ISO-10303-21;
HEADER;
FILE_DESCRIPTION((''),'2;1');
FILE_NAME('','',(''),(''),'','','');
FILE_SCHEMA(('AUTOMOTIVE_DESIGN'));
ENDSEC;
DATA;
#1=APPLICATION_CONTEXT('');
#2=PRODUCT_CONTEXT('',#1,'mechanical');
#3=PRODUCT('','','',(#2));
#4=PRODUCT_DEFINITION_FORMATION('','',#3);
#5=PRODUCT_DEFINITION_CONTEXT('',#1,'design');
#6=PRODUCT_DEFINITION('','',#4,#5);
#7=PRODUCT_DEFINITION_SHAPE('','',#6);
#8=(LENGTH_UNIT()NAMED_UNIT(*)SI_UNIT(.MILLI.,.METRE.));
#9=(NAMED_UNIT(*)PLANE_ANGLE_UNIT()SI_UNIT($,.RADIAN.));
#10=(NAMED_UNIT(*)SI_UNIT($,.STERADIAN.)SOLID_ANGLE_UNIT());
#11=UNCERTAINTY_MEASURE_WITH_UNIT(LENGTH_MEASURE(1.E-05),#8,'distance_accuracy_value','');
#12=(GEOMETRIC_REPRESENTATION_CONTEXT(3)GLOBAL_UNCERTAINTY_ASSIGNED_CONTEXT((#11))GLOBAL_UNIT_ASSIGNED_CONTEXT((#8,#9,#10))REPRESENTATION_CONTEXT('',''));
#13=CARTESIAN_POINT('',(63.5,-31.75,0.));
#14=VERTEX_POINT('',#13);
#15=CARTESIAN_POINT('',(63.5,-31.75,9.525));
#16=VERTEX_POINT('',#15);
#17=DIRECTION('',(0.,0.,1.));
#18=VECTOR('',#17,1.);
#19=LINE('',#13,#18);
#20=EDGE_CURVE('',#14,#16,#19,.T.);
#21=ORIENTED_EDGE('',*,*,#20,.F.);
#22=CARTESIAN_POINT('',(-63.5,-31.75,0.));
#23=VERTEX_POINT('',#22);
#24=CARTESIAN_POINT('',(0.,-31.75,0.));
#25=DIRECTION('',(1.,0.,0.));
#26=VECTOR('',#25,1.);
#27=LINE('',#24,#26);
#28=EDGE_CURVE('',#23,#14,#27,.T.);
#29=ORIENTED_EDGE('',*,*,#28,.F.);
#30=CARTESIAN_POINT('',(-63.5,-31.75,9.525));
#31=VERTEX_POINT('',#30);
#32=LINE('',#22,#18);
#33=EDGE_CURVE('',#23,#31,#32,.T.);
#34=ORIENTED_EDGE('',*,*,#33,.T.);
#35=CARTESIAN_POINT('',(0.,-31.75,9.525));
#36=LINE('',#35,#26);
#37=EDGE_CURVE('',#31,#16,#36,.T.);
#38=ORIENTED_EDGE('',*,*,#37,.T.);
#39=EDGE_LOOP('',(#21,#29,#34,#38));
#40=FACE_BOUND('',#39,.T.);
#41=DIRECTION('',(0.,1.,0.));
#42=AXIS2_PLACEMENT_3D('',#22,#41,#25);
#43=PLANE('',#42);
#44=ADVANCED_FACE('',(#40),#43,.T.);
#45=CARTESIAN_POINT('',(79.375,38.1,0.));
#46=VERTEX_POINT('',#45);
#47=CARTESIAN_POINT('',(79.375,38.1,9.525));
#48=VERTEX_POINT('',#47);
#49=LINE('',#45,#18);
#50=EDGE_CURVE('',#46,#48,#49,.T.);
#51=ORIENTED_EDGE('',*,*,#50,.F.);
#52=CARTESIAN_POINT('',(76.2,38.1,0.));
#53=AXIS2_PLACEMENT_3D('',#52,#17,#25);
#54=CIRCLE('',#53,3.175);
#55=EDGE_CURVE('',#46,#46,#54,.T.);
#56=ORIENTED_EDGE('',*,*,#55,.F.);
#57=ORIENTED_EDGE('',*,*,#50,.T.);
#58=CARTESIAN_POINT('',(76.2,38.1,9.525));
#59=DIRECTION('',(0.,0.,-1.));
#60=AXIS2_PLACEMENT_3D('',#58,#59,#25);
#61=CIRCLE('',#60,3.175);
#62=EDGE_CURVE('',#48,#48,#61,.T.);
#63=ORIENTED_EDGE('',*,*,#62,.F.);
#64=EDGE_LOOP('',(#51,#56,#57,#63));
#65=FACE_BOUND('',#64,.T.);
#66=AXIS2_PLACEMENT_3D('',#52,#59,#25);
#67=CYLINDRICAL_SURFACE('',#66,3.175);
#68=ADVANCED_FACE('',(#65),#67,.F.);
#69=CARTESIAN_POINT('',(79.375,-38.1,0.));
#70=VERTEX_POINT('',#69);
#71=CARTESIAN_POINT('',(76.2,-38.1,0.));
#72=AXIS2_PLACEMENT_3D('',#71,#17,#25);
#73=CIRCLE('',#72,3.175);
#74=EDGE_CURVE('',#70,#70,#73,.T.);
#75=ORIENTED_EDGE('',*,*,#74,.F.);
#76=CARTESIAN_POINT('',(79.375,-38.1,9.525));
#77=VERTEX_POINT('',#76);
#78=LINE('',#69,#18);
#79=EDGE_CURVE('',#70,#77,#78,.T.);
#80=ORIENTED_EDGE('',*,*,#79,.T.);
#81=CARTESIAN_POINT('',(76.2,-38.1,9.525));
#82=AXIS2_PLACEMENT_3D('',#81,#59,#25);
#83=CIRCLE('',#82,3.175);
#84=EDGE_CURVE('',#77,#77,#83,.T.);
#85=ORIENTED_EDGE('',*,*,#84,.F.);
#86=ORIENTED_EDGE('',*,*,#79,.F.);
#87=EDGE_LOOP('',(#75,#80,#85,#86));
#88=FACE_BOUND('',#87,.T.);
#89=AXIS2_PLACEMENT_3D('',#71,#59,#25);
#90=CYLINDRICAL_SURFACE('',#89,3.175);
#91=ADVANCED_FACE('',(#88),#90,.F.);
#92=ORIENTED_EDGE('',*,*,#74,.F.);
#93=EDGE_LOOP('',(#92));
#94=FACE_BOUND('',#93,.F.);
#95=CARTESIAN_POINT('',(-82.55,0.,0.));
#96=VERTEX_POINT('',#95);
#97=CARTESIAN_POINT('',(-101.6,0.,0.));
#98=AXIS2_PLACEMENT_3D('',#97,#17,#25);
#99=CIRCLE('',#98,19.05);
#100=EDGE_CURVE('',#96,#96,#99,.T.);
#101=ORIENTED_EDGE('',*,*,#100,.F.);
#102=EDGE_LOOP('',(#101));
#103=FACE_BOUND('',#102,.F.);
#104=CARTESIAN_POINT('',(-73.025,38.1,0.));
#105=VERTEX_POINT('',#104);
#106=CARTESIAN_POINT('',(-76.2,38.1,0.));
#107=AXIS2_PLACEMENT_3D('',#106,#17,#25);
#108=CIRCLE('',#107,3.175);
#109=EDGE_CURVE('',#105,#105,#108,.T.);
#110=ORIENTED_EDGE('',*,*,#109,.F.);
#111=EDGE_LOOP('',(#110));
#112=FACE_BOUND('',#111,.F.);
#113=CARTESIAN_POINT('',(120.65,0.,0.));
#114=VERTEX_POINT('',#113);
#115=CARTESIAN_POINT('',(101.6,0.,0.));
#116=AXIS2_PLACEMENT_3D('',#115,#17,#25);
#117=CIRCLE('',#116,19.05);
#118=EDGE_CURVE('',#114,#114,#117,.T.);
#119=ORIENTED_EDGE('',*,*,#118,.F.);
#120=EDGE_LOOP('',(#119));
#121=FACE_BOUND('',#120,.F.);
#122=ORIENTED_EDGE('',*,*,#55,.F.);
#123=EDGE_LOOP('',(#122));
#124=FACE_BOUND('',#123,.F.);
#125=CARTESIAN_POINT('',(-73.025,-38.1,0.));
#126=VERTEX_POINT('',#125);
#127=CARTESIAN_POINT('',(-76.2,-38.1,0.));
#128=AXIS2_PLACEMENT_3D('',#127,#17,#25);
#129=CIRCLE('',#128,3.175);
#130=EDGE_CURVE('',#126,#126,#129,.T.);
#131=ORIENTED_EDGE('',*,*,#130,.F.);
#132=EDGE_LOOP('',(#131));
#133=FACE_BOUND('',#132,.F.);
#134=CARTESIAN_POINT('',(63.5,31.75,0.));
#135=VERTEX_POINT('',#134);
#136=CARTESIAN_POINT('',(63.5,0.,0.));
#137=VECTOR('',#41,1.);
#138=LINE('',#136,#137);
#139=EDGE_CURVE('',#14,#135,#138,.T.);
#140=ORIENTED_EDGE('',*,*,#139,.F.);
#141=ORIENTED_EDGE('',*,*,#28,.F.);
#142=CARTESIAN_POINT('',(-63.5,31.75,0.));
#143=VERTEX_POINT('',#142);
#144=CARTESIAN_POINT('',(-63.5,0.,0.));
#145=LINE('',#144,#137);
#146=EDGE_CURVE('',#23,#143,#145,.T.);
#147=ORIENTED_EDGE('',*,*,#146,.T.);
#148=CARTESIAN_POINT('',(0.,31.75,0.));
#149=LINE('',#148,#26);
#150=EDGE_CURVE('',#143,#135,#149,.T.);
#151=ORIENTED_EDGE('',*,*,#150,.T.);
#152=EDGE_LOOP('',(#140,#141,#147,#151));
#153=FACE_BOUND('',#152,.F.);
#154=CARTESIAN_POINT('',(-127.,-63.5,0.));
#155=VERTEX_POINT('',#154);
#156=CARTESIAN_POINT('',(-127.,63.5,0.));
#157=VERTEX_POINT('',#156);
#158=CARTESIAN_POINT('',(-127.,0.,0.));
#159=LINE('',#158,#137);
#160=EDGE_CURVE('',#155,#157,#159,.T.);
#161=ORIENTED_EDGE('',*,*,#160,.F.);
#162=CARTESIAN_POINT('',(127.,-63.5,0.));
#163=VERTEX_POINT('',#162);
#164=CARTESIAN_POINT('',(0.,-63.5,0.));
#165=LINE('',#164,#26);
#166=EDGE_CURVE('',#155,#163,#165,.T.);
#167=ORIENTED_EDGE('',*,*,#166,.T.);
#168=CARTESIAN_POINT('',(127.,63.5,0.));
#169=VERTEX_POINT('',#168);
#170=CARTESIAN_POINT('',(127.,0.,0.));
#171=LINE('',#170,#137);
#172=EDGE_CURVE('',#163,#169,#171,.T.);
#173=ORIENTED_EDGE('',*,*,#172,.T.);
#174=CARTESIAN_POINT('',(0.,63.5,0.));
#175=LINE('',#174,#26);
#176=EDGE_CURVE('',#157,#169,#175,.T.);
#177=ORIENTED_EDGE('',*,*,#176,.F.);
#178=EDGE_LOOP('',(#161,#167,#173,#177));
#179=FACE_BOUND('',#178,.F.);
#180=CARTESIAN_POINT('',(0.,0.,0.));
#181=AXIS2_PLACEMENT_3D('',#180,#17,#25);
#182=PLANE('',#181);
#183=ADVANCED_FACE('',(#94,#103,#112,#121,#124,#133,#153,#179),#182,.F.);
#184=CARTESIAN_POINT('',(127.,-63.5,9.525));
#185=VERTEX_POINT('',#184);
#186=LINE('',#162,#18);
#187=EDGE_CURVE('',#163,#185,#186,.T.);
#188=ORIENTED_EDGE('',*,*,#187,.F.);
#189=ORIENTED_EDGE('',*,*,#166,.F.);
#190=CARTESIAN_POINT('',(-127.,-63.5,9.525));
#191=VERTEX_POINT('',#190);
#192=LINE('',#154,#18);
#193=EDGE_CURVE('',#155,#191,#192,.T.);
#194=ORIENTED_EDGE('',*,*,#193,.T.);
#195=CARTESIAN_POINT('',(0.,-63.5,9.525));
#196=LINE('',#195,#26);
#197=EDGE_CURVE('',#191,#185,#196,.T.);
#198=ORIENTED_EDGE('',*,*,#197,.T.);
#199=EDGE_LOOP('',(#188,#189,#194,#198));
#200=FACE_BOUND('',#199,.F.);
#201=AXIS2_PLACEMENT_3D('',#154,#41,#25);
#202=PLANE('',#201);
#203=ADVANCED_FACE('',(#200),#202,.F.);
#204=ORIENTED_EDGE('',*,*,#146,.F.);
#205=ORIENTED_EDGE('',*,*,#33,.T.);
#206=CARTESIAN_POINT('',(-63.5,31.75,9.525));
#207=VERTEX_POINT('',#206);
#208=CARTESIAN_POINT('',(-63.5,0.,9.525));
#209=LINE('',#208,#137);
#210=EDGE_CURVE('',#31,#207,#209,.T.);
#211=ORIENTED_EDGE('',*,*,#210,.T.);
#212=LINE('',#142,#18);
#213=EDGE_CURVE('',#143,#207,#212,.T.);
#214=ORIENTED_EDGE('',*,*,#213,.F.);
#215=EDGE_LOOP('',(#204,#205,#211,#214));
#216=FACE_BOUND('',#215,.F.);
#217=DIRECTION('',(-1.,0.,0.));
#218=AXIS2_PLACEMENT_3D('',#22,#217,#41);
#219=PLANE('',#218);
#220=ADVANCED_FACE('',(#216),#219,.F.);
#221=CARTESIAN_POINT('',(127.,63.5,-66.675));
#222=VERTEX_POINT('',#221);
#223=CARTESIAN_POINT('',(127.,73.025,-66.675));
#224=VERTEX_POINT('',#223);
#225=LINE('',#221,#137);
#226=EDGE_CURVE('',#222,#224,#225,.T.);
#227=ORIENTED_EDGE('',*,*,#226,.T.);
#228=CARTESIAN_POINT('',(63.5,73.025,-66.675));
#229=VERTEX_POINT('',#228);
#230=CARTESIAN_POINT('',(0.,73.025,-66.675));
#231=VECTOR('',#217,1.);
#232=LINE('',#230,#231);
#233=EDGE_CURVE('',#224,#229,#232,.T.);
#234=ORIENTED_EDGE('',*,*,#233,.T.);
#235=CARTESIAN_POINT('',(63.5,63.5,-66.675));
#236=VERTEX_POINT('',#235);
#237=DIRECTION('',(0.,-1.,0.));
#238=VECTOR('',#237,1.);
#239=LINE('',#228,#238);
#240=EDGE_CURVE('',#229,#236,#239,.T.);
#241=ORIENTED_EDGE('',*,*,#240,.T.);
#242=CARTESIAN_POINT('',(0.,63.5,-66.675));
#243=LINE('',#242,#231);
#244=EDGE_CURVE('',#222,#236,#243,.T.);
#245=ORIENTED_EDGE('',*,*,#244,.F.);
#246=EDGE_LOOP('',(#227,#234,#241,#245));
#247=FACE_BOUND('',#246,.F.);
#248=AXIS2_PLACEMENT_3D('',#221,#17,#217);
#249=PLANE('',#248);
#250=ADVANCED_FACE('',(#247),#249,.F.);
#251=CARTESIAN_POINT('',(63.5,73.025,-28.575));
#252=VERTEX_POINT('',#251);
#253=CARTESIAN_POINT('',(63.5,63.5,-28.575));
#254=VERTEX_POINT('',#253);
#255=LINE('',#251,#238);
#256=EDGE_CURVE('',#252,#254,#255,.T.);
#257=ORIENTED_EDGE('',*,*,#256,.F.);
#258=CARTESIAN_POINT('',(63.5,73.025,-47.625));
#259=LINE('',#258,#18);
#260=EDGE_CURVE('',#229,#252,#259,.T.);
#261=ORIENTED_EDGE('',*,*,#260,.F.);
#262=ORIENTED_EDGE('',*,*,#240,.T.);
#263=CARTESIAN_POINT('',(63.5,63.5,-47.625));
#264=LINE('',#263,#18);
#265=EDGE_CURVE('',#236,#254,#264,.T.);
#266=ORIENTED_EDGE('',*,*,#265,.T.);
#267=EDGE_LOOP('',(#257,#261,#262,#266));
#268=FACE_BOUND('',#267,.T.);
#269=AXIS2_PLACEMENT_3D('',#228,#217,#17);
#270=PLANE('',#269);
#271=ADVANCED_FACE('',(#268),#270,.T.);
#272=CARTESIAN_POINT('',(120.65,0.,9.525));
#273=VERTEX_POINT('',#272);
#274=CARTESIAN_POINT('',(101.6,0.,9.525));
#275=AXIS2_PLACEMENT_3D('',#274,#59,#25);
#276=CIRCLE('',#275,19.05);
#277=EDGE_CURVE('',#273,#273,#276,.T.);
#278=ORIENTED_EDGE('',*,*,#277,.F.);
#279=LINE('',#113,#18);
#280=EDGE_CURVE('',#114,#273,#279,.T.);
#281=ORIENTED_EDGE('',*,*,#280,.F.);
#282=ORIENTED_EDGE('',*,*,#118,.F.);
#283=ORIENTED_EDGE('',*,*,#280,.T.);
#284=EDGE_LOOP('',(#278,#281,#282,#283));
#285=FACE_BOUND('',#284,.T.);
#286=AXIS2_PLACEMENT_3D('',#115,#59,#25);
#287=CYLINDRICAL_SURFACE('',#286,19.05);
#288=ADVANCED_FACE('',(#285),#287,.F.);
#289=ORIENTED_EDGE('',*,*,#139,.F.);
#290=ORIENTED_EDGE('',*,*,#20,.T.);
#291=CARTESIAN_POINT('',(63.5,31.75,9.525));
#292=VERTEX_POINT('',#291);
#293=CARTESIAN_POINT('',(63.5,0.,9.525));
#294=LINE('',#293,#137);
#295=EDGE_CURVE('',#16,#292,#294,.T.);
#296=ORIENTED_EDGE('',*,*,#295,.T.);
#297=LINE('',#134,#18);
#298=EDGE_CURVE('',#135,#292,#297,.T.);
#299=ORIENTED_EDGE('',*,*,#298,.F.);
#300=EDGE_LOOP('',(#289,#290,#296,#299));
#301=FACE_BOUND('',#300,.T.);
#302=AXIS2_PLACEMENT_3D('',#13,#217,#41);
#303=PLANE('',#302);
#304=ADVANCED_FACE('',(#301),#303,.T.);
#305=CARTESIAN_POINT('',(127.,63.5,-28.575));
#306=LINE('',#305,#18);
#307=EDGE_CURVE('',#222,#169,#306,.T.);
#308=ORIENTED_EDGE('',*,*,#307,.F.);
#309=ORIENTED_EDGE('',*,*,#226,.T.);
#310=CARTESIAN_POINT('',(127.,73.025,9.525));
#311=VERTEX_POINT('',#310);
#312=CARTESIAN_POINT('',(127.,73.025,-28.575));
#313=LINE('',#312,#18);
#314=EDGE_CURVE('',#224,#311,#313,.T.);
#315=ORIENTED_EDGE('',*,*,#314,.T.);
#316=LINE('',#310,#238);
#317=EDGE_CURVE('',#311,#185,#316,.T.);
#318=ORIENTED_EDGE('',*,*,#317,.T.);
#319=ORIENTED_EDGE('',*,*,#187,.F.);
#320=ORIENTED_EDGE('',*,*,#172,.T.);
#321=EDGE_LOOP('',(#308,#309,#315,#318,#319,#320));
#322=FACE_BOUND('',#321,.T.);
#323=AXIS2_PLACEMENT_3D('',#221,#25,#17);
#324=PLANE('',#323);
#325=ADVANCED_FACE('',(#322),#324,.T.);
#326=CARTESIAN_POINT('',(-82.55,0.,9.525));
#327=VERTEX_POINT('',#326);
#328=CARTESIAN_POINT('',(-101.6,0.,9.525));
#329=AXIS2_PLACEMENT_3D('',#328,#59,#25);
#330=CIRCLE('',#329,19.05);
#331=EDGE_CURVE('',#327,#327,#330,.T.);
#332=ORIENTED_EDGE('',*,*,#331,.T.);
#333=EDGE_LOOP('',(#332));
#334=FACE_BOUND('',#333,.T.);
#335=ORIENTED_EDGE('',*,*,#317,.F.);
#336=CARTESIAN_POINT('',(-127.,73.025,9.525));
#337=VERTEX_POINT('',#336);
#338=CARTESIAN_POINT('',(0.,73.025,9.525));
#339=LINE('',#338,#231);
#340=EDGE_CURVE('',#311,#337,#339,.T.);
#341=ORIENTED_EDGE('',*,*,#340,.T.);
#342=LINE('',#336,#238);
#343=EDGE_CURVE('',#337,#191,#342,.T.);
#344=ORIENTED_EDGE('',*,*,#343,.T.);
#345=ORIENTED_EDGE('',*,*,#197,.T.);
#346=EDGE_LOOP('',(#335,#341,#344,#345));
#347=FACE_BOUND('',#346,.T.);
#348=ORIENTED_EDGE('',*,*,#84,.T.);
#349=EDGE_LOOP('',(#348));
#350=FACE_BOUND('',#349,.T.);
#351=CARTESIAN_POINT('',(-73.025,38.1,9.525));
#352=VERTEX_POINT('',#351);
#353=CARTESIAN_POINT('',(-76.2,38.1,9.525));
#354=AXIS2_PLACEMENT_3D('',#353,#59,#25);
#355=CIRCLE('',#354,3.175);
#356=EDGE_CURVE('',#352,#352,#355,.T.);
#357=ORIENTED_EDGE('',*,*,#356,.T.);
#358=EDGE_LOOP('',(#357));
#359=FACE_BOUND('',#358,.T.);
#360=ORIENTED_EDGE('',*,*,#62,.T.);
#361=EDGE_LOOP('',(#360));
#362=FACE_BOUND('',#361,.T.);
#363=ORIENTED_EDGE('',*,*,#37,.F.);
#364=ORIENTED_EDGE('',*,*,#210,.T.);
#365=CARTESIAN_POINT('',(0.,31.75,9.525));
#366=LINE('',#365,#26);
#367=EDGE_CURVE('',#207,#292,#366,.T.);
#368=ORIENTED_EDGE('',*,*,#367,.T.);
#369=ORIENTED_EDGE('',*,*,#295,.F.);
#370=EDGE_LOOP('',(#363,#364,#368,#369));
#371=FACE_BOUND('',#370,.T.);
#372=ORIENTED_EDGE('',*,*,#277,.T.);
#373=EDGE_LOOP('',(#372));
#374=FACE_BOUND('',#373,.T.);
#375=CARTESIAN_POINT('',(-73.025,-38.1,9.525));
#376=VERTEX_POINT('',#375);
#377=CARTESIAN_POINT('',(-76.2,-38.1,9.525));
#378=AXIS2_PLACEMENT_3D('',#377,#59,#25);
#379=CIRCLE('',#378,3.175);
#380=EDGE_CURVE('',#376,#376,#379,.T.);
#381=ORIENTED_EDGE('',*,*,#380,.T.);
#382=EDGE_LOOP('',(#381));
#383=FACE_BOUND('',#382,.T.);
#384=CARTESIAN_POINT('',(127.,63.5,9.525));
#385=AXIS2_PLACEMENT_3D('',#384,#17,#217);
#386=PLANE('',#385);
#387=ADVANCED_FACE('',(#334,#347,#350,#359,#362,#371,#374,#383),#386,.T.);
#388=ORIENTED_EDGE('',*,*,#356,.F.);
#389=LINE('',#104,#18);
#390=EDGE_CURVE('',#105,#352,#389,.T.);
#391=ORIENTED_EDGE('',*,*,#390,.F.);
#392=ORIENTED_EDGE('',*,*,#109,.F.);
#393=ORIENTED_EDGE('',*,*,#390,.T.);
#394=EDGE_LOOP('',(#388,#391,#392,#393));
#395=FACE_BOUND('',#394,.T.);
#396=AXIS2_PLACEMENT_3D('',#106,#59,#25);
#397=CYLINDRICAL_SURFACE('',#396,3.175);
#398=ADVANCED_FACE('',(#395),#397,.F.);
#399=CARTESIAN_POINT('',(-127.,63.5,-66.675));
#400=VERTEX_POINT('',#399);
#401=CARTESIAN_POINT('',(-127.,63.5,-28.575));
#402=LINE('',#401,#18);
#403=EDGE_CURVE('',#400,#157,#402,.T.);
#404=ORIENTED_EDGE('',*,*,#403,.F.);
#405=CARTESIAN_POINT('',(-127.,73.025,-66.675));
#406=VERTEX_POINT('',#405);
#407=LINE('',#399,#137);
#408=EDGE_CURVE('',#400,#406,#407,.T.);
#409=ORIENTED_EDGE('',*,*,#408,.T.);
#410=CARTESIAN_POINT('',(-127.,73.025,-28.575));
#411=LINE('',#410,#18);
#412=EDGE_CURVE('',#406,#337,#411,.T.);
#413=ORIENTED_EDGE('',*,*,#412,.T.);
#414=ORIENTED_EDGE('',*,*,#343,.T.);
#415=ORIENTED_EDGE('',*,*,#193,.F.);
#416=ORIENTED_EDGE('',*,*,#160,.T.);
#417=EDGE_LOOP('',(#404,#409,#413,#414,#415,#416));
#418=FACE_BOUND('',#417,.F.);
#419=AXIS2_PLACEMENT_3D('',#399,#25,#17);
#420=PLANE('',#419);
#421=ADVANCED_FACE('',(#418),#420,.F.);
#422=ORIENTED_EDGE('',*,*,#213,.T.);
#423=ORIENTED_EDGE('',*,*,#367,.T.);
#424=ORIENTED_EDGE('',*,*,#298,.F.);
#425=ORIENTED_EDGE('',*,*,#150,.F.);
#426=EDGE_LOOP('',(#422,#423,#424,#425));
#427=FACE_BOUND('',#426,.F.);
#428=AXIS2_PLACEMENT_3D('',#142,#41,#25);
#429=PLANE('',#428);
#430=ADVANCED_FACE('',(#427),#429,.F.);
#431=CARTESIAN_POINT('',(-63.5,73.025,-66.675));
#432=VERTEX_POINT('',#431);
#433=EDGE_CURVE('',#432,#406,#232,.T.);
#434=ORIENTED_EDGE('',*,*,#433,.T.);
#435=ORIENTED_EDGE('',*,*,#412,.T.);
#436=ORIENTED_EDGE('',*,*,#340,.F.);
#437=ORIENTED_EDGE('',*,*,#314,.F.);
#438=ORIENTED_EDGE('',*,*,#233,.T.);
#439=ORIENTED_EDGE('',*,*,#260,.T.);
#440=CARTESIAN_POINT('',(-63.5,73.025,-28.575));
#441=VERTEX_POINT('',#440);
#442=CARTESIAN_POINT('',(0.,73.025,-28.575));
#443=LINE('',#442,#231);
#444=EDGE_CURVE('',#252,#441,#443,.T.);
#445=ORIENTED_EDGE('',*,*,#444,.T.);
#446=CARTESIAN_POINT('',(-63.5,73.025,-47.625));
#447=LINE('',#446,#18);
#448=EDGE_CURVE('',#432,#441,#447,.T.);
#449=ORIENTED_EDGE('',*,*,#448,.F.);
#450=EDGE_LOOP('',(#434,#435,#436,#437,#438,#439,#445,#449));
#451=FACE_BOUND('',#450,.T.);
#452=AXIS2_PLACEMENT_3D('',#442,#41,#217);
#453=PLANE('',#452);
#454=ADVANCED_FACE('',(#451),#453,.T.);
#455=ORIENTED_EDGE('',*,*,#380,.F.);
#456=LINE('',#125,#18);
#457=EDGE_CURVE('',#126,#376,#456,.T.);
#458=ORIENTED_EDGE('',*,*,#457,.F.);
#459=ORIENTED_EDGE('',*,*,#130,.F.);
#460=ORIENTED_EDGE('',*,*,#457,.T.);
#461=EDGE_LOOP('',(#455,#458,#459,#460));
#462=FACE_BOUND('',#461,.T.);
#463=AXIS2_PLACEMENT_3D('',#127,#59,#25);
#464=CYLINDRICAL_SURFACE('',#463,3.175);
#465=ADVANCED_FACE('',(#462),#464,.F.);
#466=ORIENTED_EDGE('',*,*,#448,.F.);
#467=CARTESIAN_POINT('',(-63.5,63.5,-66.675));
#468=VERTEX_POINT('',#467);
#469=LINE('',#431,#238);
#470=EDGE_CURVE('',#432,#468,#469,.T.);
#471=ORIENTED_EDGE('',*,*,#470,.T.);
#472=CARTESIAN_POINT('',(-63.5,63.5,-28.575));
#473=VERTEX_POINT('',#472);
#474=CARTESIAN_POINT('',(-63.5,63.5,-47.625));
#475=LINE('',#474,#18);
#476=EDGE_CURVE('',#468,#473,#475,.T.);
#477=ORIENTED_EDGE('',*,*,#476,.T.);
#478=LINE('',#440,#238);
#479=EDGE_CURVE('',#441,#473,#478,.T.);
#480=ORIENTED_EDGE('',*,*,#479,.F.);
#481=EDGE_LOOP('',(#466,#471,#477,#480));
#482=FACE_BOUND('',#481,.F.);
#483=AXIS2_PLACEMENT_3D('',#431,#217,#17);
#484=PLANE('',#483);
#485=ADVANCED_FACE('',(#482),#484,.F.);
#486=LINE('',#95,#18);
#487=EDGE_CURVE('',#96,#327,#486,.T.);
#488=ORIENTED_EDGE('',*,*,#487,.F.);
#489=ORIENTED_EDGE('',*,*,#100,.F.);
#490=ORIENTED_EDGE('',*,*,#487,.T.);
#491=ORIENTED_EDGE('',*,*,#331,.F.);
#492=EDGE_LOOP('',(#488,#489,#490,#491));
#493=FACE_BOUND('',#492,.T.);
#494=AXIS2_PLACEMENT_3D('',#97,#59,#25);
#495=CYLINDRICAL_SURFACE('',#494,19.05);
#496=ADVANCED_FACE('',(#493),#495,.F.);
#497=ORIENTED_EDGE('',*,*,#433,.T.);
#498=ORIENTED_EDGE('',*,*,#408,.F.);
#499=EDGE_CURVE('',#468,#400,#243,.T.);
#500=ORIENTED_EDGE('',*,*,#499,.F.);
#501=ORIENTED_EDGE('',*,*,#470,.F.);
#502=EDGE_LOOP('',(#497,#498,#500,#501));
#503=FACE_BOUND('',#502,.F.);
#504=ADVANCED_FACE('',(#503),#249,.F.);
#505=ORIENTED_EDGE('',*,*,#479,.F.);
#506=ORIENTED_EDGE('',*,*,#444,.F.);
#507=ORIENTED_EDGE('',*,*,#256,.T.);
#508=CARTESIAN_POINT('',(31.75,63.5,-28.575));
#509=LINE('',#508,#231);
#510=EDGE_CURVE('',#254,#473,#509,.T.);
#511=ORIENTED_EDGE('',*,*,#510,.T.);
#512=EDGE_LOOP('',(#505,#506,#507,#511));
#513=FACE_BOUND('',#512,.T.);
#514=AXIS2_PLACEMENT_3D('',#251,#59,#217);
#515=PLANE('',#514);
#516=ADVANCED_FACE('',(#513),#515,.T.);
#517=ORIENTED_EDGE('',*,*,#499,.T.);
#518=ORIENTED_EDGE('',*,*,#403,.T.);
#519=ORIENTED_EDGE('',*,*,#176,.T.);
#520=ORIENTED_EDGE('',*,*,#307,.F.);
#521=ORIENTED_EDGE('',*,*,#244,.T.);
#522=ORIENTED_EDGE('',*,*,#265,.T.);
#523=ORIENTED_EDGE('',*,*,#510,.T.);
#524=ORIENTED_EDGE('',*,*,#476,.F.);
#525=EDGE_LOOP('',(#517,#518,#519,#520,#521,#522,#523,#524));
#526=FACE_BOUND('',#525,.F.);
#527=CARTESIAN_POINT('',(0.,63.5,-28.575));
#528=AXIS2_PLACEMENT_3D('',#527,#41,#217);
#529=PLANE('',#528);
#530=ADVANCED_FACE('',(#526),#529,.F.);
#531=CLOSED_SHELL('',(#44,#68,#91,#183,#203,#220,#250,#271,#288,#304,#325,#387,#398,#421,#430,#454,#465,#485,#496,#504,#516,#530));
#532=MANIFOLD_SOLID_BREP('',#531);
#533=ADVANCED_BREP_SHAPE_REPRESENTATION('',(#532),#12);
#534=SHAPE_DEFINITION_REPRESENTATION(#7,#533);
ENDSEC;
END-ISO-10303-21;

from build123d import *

# Parameters (mm, degrees)
F0_W     = 254
F0_H     = 127
F0_W_2   = 127
F0_H_2   = 63.5
F1_DEPTH = 9.525
F2_R     = 3.175
F3_DEPTH = 9525
F4_R     = 19.05
F5_DEPTH = 9.526
F6_W     = 254
F6_H     = 76.2
F7_DEPTH = 9.525
F8_W     = 127
F8_H     = 38.1
F9_DEPTH = 136.526


with BuildPart() as f1:
    # F0 (on Top) → F1 (new body)
    with BuildSketch(Plane.XY):
        Rectangle(F0_W, F0_H)
        Rectangle(F0_W_2, F0_H_2, mode=Mode.SUBTRACT)
    extrude(amount=F1_DEPTH)

    # F2 (on Top) → F3 (cut)
    with BuildSketch(Plane.XY):
        with Locations((-76.2, 38.1)):
            Circle(F2_R)
        with Locations((76.2, 38.1)):
            Circle(F2_R)
        with Locations((-76.2, -38.1)):
            Circle(F2_R)
        with Locations((76.2, -38.1)):
            Circle(F2_R)
    extrude(amount=F3_DEPTH, mode=Mode.SUBTRACT)

    # F4 (on Top) → F5 (cut, through all)
    with BuildSketch(Plane.XY):
        with Locations((-101.6, 0)):
            Circle(F4_R)
        with Locations((101.6, 0)):
            Circle(F4_R)
    extrude(amount=F5_DEPTH, mode=Mode.SUBTRACT)

    # F6 (on face) → F7 (join)
    with BuildSketch(Plane(origin=(0, 63.5, 0), x_dir=(-1, 0, 0), z_dir=(0, 1, 0))):
        with Locations((0, -28.575)):
            Rectangle(F6_W, F6_H)
    extrude(amount=F7_DEPTH)

    # F8 (on face) → F9 (cut, through all)
    with BuildSketch(Plane(origin=(0, 73.025, 0), x_dir=(-1, 0, 0), z_dir=(0, 1, 0))):
        with Locations((0, -47.625)):
            Rectangle(F8_W, F8_H)
    extrude(amount=-F9_DEPTH, mode=Mode.SUBTRACT)


solid = f1.part
